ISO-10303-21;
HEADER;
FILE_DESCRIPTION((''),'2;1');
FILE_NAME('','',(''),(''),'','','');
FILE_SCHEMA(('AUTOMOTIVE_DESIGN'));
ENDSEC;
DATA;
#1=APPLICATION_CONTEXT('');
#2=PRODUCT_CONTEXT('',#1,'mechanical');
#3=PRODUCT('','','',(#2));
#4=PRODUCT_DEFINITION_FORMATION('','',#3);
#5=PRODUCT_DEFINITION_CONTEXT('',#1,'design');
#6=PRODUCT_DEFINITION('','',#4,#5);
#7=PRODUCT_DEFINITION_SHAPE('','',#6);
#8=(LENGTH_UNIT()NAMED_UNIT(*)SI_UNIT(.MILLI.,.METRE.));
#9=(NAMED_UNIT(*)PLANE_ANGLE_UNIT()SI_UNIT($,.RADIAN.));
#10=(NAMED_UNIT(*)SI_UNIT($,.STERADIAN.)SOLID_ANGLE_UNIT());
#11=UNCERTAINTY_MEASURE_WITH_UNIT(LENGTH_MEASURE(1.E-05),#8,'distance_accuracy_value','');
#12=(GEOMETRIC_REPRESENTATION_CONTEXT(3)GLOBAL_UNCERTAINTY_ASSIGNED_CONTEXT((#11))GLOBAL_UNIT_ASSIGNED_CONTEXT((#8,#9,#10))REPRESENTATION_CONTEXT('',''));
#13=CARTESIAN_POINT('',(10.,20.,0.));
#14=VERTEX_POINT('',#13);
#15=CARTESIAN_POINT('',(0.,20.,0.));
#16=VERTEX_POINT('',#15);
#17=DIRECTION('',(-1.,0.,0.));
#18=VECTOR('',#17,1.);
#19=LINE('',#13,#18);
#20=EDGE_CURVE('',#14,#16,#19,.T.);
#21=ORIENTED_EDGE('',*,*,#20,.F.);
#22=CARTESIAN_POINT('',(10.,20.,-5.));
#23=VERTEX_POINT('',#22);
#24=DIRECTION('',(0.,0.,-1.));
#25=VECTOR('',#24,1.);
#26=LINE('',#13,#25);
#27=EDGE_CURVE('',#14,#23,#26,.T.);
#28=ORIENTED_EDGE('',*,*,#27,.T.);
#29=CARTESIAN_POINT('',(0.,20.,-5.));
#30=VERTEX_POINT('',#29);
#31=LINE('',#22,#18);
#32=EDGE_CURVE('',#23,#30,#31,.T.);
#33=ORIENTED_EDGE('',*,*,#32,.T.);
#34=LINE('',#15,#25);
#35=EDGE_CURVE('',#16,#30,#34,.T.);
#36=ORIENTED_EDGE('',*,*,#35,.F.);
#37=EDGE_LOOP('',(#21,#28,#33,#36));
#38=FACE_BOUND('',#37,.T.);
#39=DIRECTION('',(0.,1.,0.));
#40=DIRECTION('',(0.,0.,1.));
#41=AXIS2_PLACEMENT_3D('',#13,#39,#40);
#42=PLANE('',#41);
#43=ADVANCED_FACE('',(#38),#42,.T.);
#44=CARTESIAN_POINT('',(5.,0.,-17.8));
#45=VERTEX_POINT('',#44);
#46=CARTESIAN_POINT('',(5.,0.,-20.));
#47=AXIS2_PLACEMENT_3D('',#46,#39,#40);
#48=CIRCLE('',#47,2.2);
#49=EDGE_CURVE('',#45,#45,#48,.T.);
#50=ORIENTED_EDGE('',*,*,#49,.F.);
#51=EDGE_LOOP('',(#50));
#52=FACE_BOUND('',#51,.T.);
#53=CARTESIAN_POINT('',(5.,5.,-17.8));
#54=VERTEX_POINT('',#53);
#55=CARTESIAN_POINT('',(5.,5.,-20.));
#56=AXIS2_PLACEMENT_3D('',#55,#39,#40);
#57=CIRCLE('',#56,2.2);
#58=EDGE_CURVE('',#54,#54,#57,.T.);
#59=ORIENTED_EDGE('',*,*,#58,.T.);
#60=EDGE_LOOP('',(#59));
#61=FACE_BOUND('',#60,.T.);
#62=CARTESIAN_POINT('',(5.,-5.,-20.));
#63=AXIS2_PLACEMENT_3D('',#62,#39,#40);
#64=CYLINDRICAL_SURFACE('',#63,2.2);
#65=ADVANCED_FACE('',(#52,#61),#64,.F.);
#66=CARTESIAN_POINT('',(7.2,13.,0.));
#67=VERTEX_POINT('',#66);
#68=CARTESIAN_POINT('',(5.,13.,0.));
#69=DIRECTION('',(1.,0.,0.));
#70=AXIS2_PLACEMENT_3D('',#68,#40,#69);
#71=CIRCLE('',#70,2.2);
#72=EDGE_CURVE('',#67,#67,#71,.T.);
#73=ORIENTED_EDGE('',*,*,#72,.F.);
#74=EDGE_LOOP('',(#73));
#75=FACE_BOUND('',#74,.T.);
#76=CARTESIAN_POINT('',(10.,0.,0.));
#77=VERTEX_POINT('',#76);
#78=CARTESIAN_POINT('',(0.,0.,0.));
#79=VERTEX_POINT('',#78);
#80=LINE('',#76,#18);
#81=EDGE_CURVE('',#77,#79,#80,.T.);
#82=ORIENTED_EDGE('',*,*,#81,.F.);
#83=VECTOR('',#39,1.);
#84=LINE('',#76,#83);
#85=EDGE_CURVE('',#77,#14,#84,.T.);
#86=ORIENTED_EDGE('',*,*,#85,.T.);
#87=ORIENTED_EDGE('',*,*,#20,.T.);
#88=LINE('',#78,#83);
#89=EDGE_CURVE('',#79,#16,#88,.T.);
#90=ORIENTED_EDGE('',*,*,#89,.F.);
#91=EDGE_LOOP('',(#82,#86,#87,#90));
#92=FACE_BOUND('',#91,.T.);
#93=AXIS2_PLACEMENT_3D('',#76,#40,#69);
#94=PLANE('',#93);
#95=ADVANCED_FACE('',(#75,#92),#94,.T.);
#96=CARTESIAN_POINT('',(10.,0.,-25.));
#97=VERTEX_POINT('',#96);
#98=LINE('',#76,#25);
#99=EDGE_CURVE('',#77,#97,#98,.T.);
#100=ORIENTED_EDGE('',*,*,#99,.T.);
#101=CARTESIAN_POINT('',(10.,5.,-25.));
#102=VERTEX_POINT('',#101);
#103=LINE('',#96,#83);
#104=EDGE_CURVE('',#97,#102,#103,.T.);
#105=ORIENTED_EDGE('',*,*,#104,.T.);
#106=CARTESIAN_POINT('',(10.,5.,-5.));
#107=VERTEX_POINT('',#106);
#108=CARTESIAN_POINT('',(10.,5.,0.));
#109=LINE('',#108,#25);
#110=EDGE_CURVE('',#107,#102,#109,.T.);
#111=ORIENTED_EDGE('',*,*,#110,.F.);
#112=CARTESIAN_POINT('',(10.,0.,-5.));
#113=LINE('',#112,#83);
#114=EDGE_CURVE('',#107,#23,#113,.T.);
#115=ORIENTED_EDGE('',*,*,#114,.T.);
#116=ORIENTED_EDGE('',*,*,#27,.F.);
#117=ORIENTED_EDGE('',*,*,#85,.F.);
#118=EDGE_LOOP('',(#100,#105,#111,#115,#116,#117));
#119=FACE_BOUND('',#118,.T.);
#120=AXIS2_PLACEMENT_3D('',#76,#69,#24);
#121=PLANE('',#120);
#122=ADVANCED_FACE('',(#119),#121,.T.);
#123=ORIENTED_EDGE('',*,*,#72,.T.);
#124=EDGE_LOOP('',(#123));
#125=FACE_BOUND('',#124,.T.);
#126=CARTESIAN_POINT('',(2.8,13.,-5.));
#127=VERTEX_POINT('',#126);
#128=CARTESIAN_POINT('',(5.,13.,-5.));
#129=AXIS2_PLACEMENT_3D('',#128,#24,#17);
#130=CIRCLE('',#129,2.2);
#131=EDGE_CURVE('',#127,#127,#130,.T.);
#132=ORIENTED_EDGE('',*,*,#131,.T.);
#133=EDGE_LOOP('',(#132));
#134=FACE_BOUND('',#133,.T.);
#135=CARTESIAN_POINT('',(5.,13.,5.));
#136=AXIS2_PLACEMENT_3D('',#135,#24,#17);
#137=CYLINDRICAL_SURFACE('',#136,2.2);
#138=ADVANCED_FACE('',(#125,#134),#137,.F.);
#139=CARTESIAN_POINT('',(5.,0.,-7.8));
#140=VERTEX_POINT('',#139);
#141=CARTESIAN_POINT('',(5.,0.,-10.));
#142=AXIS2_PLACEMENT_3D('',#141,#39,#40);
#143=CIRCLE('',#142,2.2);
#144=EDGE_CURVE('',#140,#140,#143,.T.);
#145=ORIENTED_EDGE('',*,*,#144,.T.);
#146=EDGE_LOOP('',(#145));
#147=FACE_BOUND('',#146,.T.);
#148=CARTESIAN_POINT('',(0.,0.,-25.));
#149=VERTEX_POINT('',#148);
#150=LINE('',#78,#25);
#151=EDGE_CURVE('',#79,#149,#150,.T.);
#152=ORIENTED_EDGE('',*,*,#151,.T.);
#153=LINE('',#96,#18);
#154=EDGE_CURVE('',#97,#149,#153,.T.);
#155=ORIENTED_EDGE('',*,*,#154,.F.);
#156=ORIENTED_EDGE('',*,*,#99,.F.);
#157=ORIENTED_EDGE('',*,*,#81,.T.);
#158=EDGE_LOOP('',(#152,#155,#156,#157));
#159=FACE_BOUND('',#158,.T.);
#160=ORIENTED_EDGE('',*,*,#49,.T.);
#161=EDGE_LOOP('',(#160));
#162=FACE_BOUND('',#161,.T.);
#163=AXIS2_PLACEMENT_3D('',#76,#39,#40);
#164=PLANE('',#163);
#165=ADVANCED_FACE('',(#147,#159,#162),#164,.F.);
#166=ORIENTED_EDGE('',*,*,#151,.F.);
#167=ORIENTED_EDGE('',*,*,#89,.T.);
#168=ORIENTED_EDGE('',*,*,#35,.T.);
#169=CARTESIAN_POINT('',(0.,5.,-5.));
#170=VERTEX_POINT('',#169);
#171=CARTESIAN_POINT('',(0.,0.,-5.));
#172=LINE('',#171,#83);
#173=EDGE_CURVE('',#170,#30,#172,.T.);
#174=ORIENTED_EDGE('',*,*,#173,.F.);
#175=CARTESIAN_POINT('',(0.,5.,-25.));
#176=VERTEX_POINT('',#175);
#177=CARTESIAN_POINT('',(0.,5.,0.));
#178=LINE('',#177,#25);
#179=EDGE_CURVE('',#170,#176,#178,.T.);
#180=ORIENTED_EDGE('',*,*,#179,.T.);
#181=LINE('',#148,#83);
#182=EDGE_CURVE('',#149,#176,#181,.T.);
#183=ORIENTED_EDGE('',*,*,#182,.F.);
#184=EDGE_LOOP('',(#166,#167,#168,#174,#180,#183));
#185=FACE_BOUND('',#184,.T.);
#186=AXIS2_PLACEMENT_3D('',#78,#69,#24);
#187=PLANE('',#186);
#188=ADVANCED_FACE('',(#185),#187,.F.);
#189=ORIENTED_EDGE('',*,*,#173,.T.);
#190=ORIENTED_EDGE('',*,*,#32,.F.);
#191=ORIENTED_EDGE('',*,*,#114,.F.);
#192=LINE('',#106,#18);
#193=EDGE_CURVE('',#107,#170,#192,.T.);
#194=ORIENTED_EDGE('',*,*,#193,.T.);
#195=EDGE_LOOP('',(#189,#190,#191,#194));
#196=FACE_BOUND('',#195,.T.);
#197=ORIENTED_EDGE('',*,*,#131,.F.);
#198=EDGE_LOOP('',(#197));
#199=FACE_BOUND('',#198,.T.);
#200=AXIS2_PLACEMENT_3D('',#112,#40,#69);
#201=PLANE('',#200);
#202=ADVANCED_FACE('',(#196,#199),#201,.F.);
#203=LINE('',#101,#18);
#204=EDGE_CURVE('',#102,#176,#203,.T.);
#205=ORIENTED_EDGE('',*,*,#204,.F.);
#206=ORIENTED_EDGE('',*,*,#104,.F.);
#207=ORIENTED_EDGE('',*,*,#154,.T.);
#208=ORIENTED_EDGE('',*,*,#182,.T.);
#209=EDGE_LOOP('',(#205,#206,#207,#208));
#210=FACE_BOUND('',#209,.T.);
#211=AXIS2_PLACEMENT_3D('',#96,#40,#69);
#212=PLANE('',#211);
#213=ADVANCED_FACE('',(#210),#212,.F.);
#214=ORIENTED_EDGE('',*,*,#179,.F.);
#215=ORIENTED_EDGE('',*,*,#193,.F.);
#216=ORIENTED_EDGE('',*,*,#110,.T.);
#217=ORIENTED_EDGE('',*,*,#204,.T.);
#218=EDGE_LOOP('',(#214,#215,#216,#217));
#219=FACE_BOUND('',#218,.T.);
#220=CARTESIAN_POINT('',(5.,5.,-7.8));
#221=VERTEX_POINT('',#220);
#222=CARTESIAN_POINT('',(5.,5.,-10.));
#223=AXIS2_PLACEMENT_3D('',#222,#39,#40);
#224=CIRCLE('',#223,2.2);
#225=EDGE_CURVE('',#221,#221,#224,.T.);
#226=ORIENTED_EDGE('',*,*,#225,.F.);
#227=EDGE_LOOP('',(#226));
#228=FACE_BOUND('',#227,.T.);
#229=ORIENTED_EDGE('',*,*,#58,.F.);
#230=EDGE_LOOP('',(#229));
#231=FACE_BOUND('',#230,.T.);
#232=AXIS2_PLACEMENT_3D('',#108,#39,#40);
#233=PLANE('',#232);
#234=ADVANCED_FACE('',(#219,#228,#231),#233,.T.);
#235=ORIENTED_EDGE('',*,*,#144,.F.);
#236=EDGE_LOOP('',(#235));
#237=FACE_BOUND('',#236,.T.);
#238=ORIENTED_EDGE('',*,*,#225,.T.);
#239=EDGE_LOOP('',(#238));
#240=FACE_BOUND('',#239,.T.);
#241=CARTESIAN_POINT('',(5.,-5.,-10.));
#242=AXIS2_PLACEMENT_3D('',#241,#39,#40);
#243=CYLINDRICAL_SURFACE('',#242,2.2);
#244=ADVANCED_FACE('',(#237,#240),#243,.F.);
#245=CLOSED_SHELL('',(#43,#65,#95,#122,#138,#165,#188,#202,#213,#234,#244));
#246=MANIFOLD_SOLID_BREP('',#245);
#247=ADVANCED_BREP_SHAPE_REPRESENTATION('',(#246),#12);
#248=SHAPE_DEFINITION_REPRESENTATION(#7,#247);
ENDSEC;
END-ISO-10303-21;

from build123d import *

# Parameters (mm, degrees)
SKETCH1_W           = 5
SKETCH1_H           = 15
SKETCH1_H_2         = 5
SKETCH1_W_2         = 20
BOSS_EXTRUDE1_DEPTH = 10
SKETCH2_R           = 2.2
CUT_EXTRUDE1_DEPTH  = 10
SKETCH3_R           = 2.2
CUT_EXTRUDE2_DEPTH  = 10


with BuildPart() as part:
    # Sketch1 → Boss-Extrude1 (new body)
    with BuildSketch(Plane(origin=(0, 0, 0), x_dir=(0, 0, -1), z_dir=(1, 0, 0))):
        with Locations((2.5, 12.5)):
            Rectangle(SKETCH1_W, SKETCH1_H)
        with Locations((2.5, 2.5)):
            Rectangle(SKETCH1_W, SKETCH1_H_2)
        with Locations((15, 2.5)):
            Rectangle(SKETCH1_W_2, SKETCH1_H_2)
    extrude(amount=BOSS_EXTRUDE1_DEPTH)

    # Sketch2 → Cut-Extrude1 (cut)
    with BuildSketch(Plane(origin=(0, 0, -5), x_dir=(-1, 0, 0), z_dir=(0, 0, -1))):
        with Locations((-5, 13)):
            Circle(SKETCH2_R)
    extrude(amount=-CUT_EXTRUDE1_DEPTH, mode=Mode.SUBTRACT)

    # Sketch3 → Cut-Extrude2 (cut)
    with BuildSketch(Plane(origin=(0, 5, 0), x_dir=(1, 0, 0), z_dir=(0, 1, 0))):
        with Locations(Location((5, 20, 0), (0, 0, 270))):
            Circle(SKETCH3_R)
        with Locations(Location((5, 10, 0), (0, 0, 270))):
            Circle(SKETCH3_R)
    extrude(amount=-CUT_EXTRUDE2_DEPTH, mode=Mode.SUBTRACT)


solid = part.part
